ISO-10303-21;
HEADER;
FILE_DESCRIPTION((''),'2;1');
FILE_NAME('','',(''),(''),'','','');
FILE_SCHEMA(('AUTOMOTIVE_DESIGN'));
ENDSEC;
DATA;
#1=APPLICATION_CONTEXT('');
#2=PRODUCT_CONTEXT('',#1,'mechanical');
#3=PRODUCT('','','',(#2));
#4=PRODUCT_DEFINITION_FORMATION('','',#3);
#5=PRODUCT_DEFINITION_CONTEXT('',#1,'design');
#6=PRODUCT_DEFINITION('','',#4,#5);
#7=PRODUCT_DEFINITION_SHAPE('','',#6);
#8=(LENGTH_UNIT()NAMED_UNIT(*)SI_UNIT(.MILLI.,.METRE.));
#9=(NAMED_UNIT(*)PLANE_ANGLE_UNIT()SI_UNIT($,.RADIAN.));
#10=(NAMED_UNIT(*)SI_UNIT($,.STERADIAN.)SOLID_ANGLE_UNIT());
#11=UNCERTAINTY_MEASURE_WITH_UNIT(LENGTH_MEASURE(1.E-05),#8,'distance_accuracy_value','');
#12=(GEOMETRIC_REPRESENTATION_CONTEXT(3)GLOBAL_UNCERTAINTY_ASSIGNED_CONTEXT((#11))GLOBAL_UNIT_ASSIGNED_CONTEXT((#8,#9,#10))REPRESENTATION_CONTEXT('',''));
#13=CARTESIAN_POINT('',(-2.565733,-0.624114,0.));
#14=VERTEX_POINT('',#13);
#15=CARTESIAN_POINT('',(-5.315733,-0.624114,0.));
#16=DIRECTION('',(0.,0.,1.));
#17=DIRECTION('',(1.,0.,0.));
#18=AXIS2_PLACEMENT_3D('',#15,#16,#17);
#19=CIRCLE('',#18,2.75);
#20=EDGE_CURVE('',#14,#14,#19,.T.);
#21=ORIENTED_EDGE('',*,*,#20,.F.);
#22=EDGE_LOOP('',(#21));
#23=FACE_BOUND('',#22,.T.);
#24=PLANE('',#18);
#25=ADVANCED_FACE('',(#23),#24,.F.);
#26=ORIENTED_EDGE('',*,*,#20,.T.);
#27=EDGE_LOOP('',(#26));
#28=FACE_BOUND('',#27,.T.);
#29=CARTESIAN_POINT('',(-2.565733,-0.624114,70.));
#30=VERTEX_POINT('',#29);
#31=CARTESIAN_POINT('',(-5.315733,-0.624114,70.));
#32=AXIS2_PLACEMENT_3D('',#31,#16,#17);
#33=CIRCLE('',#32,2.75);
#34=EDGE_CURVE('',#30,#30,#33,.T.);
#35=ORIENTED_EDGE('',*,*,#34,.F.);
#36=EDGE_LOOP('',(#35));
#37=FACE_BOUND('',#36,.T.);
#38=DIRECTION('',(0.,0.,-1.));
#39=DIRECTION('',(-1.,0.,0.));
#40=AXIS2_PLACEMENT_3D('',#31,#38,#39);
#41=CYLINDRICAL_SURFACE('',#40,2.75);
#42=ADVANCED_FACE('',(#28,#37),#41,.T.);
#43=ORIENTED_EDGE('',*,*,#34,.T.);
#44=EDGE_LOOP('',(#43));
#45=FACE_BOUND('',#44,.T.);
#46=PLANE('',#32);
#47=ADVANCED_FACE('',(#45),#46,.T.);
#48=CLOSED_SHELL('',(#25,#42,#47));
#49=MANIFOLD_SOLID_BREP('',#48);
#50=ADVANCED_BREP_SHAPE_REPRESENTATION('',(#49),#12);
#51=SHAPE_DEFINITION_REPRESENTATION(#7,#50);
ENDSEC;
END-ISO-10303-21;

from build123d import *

# Parameters (mm, degrees)
ESQUISSE1_R        = 2.75
BOSS_EXTRU_1_DEPTH = 70


with BuildPart() as part:
    # Esquisse1 → Boss.-Extru.1 (new body)
    with BuildSketch(Plane.XY):
        with Locations((-5.315732905, -0.62411439)):
            Circle(ESQUISSE1_R)
    extrude(amount=BOSS_EXTRU_1_DEPTH)


solid = part.part
